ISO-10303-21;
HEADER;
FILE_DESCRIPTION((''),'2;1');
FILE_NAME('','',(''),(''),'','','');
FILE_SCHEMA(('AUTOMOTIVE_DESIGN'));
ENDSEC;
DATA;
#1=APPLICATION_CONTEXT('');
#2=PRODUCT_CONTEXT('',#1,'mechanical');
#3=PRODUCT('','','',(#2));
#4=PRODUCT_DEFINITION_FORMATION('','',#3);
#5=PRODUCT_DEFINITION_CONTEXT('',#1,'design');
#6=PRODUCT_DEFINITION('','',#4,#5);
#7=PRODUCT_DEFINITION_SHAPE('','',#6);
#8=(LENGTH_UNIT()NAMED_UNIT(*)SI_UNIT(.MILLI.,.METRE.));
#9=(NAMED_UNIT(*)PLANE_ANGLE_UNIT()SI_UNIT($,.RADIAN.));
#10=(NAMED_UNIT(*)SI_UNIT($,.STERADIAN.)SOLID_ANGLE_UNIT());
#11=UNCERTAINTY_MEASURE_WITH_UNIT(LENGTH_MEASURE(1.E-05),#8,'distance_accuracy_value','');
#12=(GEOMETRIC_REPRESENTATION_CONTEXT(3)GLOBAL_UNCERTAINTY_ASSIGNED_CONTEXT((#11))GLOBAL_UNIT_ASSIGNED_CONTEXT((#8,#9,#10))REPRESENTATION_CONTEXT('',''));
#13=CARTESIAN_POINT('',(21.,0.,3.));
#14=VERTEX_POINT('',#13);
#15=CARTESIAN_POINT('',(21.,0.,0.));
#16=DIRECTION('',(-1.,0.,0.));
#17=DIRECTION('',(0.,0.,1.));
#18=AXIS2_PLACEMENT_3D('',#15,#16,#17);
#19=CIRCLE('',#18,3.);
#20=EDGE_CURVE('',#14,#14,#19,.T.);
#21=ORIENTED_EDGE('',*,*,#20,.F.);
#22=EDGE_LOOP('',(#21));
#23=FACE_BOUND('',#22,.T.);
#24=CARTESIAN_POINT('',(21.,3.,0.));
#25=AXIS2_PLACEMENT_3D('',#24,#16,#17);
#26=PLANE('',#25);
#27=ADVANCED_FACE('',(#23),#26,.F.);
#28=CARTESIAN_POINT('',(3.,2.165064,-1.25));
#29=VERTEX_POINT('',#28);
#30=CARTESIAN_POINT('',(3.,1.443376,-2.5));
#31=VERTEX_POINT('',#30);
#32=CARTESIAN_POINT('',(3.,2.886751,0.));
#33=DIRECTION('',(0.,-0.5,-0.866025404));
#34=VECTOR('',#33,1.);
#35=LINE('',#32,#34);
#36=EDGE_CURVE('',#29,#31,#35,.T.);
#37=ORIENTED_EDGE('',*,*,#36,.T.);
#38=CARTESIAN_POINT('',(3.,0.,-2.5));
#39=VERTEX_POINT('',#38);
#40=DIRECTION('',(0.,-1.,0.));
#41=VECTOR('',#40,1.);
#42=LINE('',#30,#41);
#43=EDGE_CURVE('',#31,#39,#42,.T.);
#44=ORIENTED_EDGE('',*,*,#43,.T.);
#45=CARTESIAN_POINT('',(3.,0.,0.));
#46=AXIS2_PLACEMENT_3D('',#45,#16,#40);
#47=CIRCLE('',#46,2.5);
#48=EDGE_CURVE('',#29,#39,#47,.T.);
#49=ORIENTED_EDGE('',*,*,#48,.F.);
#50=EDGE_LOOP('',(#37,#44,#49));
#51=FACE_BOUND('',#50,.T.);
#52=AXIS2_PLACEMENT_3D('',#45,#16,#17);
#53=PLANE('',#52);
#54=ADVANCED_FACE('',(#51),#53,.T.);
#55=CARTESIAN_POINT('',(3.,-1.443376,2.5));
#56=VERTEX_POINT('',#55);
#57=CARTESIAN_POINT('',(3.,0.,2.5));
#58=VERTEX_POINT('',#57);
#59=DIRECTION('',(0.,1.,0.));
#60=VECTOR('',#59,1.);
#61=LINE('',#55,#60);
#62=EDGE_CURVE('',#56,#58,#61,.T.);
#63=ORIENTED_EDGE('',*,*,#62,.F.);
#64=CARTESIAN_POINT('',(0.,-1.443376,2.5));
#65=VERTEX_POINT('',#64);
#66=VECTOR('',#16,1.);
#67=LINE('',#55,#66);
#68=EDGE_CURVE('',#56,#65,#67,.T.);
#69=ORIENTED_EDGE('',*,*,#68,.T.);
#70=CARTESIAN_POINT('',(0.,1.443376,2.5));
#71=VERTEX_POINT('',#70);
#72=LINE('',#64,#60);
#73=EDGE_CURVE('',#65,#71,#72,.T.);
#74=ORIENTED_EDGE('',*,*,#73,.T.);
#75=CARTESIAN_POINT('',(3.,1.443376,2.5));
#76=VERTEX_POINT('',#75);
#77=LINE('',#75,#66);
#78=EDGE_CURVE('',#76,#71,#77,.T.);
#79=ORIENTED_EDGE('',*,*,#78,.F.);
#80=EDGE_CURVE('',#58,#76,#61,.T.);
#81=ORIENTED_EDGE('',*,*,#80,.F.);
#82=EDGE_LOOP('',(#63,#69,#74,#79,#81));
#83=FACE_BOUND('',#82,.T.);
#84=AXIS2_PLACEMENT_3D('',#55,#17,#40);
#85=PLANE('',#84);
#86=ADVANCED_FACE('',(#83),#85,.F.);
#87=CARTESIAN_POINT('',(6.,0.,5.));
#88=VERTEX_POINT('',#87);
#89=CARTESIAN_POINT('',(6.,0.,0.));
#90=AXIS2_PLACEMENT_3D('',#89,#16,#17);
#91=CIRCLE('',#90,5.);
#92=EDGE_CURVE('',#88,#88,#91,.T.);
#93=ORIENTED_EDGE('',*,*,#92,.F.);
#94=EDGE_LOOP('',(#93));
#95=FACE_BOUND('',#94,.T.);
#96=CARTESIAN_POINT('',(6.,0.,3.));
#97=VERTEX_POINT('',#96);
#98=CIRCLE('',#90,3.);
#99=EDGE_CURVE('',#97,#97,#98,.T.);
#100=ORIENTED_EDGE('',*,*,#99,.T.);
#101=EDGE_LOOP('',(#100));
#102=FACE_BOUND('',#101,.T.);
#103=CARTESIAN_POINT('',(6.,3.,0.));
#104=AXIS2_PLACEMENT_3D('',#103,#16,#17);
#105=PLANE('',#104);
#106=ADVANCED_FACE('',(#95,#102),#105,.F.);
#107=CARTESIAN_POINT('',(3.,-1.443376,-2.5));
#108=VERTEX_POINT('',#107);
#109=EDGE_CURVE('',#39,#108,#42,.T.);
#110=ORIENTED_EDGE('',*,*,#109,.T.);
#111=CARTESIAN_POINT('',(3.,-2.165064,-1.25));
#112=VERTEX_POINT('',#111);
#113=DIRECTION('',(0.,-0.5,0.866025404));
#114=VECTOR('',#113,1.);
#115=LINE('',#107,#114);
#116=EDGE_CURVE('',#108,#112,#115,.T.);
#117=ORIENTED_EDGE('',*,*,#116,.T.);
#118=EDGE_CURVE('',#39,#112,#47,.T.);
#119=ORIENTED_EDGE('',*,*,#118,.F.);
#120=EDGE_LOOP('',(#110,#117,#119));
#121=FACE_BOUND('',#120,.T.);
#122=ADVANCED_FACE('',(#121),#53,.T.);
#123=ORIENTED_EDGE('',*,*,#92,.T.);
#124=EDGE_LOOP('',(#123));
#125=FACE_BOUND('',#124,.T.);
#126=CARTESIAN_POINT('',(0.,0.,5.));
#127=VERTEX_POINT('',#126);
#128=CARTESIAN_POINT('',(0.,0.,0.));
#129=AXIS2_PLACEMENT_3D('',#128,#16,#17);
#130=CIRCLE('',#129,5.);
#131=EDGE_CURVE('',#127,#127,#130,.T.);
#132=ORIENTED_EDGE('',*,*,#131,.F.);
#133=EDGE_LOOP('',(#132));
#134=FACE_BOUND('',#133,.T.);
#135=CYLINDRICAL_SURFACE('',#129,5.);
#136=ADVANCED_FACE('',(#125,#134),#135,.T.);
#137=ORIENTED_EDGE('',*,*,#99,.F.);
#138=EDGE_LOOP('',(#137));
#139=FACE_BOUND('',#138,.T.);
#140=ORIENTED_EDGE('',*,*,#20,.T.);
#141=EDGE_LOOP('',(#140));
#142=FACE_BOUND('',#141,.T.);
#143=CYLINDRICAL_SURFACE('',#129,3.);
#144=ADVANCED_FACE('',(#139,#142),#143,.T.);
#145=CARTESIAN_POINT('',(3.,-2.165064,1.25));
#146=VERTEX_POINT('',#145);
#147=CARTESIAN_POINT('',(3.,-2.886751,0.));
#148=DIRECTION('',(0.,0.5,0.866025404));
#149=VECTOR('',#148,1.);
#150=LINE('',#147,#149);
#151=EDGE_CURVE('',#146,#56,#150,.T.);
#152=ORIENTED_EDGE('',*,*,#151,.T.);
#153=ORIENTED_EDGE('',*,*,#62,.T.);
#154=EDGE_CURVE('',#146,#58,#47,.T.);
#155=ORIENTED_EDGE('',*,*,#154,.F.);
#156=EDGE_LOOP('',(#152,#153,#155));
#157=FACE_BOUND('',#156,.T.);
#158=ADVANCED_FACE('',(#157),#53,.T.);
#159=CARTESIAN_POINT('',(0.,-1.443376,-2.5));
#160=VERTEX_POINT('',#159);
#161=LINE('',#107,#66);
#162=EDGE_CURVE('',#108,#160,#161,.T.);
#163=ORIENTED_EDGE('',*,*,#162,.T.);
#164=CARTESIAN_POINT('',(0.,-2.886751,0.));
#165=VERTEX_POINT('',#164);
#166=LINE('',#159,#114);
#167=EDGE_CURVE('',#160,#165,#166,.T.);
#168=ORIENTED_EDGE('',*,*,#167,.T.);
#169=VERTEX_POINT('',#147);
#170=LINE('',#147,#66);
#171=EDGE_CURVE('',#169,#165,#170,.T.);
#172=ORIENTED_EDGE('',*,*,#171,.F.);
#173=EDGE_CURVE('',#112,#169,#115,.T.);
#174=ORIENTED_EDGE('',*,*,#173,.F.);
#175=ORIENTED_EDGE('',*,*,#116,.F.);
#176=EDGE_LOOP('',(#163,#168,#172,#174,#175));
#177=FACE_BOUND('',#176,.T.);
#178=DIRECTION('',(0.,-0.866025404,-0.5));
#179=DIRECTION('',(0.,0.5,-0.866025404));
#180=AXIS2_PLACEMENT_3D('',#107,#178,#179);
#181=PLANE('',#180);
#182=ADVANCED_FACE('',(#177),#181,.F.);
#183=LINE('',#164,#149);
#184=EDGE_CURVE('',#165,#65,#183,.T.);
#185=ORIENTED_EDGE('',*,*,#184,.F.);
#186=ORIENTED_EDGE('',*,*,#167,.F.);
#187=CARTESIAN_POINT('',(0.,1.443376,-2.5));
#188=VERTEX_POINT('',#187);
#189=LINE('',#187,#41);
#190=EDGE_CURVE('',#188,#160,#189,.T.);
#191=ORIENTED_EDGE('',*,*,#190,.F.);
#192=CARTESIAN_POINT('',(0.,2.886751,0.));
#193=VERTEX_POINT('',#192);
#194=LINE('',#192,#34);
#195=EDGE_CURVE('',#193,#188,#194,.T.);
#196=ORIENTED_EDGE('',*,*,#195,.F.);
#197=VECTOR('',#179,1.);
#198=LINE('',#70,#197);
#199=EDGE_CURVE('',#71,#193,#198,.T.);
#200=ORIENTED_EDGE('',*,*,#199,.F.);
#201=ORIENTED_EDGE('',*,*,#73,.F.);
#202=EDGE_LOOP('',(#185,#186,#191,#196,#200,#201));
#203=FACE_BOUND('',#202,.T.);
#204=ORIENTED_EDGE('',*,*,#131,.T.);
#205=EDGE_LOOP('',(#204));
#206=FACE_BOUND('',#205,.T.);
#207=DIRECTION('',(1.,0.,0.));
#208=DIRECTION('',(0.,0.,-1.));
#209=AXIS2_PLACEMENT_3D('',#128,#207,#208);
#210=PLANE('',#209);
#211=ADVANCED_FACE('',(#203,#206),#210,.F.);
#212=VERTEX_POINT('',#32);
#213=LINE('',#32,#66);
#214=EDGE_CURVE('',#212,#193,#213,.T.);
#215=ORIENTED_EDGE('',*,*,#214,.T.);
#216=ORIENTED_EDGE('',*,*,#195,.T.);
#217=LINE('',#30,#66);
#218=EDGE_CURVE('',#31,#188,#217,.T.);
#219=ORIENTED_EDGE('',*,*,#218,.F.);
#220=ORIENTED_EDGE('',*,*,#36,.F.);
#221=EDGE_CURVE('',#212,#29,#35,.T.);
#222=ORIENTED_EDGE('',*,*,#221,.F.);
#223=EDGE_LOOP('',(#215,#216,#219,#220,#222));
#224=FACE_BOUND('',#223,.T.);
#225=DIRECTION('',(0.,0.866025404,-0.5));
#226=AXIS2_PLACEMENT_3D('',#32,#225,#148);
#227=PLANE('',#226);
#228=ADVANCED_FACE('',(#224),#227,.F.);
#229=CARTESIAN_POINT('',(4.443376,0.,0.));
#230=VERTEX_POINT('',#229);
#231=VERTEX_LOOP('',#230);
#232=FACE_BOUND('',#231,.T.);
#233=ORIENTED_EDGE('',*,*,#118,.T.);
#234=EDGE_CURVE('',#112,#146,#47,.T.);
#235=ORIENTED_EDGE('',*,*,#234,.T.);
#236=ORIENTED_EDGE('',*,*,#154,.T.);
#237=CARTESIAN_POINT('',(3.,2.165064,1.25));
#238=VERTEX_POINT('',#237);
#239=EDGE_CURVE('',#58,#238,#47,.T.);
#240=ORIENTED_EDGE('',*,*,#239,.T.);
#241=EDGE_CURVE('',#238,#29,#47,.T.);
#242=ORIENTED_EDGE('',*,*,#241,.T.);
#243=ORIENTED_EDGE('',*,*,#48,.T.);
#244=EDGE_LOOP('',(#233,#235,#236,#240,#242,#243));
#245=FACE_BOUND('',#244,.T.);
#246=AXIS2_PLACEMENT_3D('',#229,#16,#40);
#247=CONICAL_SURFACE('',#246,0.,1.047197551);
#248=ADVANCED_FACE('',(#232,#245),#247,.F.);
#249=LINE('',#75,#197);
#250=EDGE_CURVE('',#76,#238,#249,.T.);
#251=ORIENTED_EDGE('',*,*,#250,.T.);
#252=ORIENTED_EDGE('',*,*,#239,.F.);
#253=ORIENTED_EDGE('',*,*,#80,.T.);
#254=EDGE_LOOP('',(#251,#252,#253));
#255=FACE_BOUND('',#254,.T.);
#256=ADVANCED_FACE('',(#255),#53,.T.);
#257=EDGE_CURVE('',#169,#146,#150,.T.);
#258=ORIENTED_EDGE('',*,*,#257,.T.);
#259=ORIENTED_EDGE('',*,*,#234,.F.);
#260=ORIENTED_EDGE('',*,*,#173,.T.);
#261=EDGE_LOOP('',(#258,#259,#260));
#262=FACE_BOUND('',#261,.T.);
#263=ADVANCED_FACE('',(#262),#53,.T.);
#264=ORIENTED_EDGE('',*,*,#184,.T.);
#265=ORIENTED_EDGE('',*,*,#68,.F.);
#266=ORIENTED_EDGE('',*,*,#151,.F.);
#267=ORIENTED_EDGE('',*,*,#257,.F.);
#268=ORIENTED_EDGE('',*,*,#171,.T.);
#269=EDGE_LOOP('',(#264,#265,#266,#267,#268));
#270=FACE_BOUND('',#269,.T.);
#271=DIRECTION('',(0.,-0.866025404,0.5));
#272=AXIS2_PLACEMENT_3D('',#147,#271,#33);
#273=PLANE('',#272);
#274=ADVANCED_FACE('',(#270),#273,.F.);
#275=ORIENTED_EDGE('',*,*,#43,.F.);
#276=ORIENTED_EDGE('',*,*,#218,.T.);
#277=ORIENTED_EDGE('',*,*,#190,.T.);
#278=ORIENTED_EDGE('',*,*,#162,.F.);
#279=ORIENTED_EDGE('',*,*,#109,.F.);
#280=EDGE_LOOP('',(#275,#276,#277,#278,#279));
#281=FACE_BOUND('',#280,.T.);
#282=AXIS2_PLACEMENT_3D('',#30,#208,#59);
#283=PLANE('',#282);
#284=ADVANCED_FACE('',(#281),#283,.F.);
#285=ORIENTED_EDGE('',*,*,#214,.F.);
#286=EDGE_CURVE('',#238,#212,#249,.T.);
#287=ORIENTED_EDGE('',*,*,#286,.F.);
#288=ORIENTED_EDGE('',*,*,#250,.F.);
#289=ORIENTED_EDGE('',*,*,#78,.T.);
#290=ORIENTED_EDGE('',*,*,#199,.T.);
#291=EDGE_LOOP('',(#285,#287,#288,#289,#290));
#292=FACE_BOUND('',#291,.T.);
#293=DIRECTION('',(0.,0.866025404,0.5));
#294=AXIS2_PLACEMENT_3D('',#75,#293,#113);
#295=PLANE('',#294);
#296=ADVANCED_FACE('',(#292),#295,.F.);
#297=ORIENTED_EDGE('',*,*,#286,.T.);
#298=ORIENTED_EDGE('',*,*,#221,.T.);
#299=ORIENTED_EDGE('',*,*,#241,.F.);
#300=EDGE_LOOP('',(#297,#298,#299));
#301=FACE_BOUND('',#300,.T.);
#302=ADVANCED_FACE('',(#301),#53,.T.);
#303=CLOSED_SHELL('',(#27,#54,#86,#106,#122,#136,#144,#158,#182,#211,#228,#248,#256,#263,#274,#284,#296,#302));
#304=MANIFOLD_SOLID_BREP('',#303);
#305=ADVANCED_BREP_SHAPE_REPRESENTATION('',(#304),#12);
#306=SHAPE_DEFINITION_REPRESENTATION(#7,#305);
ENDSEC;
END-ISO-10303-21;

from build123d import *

# Parameters (mm, degrees)
CUT_EXTRUDE1_DEPTH = 3


with BuildPart() as part:
    # Sketch1 → Revolve1 (revolve)
    with BuildSketch(Plane.XY, mode=Mode.PRIVATE) as revolve1_sk:
        Polygon((0, 0), (0, 5), (6, 5), (6, 3), (21, 3), (21, 0), align=None)
    revolve(revolve1_sk.sketch.rotate(Axis((0, 0, 0), (1, 0, 0)), 90), axis=Axis((0, 0, 0), (1, 0, 0)))

    # Sketch2 → Cut-Revolve1 (revolve, cut)
    with BuildSketch(Plane.XY, mode=Mode.PRIVATE) as cut_revolve1_sk:
        Polygon((0, 2.5), (3, 2.5), (4.443375673, 0), (0, 0), align=None)
    revolve(cut_revolve1_sk.sketch.rotate(Axis((0, 0, 0), (1, 0, 0)), 180), axis=Axis((0, 0, 0), (1, 0, 0)), mode=Mode.SUBTRACT)

    # Sketch3 → Cut-Extrude1 (cut)
    with BuildSketch(Plane.ZY):
        Polygon((0, -2.886751346), (2.5, -1.443375673), (2.5, 1.443375673), (0, 2.886751346), (-2.5, 1.443375673), (-2.5, -1.443375673), align=None)
    extrude(amount=-CUT_EXTRUDE1_DEPTH, mode=Mode.SUBTRACT)


solid = part.part
